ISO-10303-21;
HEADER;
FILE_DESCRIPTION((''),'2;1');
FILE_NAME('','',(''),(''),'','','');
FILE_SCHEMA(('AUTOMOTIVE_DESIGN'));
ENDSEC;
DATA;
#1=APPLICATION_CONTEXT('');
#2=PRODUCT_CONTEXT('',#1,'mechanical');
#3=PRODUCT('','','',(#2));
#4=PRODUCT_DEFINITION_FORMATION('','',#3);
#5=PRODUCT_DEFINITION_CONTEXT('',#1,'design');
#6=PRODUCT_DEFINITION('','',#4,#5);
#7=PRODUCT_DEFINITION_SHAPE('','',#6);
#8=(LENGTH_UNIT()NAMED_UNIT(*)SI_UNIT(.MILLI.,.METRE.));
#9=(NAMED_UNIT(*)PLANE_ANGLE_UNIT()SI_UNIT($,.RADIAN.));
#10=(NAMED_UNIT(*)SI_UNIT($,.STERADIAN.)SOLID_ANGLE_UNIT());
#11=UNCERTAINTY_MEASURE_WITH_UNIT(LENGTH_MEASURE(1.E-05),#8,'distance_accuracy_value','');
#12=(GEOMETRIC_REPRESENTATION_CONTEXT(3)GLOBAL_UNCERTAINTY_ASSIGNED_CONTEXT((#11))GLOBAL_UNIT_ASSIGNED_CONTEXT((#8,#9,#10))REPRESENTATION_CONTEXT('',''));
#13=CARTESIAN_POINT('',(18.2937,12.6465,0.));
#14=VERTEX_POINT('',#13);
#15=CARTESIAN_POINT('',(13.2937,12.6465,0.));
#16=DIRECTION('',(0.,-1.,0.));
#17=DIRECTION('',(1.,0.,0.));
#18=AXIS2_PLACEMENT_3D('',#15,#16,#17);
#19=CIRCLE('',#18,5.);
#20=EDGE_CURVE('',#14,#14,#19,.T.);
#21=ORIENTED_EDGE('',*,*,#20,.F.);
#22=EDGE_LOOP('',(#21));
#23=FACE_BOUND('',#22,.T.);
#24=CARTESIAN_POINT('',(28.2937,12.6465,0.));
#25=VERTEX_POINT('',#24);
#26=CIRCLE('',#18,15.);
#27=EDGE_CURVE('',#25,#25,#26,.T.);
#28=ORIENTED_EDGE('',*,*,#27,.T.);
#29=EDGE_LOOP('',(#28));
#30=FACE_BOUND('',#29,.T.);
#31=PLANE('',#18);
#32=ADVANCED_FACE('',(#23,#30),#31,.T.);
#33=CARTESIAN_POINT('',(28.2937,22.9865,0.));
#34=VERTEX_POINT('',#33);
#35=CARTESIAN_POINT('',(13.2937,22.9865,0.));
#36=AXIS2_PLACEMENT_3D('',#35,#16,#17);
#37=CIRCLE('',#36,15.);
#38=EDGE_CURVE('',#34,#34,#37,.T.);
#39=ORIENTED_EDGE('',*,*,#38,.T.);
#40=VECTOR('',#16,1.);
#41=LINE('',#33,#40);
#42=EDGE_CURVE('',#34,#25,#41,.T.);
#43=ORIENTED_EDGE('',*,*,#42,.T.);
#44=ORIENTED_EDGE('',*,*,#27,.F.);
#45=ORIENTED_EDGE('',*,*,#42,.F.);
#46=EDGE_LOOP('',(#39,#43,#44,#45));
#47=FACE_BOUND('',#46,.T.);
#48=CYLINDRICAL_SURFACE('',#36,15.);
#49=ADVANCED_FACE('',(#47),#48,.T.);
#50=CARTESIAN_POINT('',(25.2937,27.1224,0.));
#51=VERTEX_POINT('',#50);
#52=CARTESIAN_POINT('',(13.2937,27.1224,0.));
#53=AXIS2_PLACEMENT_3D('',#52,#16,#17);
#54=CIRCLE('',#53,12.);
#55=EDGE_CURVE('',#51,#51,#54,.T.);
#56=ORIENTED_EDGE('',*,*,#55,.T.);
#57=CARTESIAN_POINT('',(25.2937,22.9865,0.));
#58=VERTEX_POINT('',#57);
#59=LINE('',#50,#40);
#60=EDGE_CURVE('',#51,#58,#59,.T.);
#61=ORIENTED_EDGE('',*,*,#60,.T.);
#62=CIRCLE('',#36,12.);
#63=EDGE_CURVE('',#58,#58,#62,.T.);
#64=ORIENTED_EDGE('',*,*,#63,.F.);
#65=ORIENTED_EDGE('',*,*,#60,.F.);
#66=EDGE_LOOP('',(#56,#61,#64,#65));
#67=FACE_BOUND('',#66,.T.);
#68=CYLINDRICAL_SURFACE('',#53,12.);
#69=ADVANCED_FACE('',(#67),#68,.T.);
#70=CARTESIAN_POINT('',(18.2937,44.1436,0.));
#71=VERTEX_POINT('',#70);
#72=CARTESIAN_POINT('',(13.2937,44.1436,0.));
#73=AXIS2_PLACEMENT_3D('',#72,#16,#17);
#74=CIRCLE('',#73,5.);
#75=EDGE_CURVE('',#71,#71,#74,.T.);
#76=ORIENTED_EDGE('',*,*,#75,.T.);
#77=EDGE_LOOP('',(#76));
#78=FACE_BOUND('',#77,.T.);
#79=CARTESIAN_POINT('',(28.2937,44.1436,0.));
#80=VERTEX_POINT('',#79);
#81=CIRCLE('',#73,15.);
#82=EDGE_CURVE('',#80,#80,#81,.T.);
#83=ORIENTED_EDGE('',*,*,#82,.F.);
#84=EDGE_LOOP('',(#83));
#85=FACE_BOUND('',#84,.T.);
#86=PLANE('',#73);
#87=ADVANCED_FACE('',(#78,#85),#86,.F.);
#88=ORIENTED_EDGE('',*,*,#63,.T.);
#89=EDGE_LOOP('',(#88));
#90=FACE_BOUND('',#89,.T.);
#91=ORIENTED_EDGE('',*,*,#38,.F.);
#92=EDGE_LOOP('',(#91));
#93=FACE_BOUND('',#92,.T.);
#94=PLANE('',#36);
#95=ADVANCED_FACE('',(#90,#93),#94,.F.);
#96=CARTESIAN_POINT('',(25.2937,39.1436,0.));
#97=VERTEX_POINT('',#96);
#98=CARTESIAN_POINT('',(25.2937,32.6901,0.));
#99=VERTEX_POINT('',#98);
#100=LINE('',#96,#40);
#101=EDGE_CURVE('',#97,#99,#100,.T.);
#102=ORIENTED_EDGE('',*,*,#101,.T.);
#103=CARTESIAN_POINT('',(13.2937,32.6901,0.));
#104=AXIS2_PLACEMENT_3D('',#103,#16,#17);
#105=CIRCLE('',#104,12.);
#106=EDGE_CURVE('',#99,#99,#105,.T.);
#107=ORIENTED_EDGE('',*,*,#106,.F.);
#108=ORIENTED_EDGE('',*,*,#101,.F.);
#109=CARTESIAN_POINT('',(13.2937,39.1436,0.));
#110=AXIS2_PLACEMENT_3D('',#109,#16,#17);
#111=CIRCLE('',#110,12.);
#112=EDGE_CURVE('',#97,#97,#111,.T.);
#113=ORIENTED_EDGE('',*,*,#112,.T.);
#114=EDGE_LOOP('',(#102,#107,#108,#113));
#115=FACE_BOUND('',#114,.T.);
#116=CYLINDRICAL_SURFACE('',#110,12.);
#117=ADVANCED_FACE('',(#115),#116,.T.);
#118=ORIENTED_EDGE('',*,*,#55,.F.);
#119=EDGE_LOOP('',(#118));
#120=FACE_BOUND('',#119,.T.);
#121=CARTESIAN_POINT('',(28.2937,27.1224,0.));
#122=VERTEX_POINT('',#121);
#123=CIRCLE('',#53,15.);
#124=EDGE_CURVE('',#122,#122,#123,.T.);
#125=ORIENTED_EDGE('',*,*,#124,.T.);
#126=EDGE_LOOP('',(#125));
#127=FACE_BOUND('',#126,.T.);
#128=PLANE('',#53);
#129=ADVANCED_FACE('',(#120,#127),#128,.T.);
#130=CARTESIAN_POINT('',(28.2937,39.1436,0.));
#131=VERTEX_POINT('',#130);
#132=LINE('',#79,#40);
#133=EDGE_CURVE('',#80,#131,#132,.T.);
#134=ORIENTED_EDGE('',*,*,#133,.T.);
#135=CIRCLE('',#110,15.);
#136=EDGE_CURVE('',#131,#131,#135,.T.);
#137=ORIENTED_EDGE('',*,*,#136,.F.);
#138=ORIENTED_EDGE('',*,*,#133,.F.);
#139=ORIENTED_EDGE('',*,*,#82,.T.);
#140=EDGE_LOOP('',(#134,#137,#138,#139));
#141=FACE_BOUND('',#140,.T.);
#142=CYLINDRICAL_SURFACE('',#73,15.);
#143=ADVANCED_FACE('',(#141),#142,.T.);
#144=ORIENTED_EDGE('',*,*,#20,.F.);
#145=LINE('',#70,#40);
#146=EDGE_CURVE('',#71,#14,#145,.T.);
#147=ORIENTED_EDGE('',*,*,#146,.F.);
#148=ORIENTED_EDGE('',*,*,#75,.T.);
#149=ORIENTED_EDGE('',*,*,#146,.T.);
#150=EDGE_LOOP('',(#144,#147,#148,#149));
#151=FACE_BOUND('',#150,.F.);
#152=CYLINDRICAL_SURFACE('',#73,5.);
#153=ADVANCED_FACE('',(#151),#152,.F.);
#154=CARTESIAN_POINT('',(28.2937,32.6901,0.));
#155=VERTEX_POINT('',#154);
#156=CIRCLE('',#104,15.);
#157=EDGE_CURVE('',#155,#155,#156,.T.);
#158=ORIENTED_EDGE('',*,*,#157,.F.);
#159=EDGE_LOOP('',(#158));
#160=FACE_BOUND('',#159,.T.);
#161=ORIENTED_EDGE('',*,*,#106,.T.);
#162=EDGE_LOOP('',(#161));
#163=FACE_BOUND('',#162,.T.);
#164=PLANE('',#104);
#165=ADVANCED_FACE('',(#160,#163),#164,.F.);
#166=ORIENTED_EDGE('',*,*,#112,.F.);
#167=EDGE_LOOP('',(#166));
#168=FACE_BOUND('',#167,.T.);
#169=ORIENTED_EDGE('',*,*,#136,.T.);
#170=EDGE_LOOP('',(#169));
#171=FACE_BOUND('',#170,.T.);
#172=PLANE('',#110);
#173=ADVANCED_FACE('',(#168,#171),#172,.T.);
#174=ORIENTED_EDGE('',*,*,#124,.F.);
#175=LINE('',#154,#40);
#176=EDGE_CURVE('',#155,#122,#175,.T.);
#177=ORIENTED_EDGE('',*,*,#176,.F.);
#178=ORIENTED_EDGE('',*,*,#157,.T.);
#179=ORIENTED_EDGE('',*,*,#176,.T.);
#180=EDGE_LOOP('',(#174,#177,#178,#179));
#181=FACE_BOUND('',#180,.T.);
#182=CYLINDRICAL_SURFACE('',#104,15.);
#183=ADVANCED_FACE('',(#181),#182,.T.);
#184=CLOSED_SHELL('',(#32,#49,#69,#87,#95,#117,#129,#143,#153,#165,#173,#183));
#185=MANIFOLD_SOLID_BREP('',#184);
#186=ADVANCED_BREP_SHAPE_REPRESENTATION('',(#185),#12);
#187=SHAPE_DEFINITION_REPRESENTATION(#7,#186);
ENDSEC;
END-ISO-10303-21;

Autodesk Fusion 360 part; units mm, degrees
sketch "Sketch1" plane through (0, 0, 0) normal (0, 0, 1) x (1, 0, 0)
  line L0 (18.2937, 44.1436) -> (28.2937, 44.1436)
  line L1 (28.2937, 44.1436) -> (28.2937, 39.1436)
  line L2 (28.2937, 39.1436) -> (25.2937, 39.1436)
  line L3 (25.2937, 39.1436) -> (25.2937, 32.6901)
  line L4 (25.2937, 32.6901) -> (28.2937, 32.6901)
  line L5 (28.2937, 32.6901) -> (28.2937, 27.1224)
  line L6 (28.2937, 27.1224) -> (25.2937, 27.1224)
  line L7 (25.2937, 27.1224) -> (25.2937, 22.9865)
  line L8 (25.2937, 22.9865) -> (28.2937, 22.9865)
  line L9 (28.2937, 22.9865) -> (28.2937, 12.6465)
  line L10 (18.2937, 44.1436) -> (18.2937, 12.6465)
  line L11 (28.2937, 12.6465) -> (18.2937, 12.6465)
  line L12 (13.2937, 44.1436) -> (13.2937, 53)
  dimension "d1" = 10
  dimension "d2" = 5
  dimension "d3" = 3
  dimension "d4" = 5
revolve "Revolve2" add sketch "Sketch1" angle 360 about axis through (13.2937, 53, 0) along (0, -1, 0)
